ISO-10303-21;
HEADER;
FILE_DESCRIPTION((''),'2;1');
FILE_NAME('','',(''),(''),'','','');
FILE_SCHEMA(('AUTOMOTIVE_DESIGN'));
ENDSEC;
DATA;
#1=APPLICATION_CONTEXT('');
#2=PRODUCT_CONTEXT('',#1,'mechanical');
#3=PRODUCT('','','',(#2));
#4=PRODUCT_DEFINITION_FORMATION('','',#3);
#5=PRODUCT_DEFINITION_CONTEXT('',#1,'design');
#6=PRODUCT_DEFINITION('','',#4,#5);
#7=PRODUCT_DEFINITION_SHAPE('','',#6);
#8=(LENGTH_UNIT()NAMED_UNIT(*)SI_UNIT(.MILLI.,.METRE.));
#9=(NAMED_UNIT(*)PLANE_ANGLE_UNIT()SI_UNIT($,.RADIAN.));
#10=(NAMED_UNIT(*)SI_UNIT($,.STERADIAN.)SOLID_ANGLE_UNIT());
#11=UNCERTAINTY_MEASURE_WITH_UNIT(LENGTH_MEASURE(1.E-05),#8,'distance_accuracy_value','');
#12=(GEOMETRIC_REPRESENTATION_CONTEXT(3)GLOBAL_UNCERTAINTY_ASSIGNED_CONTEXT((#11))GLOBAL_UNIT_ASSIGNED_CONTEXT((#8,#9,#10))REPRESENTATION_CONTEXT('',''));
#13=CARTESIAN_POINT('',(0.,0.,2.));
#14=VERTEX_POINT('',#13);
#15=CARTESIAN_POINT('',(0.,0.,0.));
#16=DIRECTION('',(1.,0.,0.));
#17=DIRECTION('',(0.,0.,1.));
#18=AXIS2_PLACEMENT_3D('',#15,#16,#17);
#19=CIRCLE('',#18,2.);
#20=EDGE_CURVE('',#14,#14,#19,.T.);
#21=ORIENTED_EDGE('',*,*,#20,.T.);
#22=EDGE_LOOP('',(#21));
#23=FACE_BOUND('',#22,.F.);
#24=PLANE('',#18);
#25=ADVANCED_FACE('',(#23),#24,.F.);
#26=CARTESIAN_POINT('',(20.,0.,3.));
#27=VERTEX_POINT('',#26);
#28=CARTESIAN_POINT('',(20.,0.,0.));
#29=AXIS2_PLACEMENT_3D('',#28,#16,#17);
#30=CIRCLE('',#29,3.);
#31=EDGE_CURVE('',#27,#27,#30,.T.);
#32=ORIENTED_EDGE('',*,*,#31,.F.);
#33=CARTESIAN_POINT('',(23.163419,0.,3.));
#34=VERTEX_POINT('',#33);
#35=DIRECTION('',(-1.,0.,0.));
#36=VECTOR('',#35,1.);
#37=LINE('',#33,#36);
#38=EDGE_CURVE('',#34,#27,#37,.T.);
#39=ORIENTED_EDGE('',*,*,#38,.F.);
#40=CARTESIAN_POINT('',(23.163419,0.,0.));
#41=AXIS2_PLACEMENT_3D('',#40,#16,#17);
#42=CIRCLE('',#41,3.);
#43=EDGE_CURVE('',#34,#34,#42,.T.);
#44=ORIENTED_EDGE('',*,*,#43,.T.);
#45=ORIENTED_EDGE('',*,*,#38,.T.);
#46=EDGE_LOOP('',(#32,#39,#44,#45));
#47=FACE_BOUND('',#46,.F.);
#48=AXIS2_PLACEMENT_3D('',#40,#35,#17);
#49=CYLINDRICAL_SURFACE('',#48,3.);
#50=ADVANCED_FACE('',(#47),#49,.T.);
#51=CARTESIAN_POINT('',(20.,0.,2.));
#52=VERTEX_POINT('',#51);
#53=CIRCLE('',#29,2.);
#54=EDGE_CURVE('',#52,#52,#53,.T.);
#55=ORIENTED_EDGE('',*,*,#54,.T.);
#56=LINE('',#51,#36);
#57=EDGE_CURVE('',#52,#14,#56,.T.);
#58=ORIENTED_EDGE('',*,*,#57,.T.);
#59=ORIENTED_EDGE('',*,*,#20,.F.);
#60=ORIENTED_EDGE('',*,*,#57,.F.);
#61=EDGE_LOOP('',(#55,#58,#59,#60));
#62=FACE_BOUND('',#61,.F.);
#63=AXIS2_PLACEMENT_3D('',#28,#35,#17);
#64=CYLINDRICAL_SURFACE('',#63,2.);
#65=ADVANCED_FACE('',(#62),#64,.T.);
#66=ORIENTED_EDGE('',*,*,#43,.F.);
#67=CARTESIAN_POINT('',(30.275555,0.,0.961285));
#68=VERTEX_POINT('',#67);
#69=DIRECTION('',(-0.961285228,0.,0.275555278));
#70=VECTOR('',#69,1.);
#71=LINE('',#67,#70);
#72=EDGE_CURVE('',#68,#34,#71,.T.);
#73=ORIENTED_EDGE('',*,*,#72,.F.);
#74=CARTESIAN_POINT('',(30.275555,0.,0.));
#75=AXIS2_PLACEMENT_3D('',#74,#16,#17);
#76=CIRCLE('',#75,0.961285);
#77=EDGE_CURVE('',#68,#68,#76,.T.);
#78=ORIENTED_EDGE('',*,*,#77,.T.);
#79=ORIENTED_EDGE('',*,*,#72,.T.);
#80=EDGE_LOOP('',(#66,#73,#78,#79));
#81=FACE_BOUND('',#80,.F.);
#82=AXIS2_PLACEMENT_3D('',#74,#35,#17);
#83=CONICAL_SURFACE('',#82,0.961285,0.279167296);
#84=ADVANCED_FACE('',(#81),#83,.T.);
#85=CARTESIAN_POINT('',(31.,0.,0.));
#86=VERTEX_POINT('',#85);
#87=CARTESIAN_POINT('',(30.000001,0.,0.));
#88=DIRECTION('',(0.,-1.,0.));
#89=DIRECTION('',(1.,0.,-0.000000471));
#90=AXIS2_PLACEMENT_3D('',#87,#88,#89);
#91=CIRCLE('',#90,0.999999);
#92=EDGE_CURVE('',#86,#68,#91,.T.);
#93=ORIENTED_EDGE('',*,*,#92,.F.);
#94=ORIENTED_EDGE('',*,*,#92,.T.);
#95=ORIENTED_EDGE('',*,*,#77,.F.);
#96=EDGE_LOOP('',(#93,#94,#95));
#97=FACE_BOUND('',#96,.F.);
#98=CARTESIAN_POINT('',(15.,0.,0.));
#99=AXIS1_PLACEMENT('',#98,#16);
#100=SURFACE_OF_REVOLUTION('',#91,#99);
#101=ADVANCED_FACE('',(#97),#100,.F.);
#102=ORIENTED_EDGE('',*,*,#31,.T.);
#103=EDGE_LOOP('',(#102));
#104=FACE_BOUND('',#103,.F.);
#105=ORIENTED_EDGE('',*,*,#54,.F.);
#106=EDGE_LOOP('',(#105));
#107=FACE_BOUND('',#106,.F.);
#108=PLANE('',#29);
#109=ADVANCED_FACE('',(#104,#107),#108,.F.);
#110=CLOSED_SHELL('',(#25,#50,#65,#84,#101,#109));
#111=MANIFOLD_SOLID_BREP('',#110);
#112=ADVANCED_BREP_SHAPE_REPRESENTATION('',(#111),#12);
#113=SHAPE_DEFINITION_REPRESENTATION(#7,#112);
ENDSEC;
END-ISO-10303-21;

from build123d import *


with BuildPart() as f1:
    # F0 (on Front) → F1 (revolve)
    with BuildSketch(Plane.XZ):
        with BuildLine():
            Line((0, 2), (0, 0))
            Line((0, 0), (30, 0))
            Line((30, 0), (31, 0))
            ThreePointArc((31, 0), (30.79861, 0.601849), (30.275555, 0.961285))
            Line((30.275555, 0.961285), (23.163419, 3))
            Line((23.163419, 3), (20, 3))
            Line((20, 3), (20, 2))
            Line((20, 2), (0, 2))
        make_face()
    revolve(axis=Axis((15, 0, 0), (1, 0, 0)))


solid = f1.part
